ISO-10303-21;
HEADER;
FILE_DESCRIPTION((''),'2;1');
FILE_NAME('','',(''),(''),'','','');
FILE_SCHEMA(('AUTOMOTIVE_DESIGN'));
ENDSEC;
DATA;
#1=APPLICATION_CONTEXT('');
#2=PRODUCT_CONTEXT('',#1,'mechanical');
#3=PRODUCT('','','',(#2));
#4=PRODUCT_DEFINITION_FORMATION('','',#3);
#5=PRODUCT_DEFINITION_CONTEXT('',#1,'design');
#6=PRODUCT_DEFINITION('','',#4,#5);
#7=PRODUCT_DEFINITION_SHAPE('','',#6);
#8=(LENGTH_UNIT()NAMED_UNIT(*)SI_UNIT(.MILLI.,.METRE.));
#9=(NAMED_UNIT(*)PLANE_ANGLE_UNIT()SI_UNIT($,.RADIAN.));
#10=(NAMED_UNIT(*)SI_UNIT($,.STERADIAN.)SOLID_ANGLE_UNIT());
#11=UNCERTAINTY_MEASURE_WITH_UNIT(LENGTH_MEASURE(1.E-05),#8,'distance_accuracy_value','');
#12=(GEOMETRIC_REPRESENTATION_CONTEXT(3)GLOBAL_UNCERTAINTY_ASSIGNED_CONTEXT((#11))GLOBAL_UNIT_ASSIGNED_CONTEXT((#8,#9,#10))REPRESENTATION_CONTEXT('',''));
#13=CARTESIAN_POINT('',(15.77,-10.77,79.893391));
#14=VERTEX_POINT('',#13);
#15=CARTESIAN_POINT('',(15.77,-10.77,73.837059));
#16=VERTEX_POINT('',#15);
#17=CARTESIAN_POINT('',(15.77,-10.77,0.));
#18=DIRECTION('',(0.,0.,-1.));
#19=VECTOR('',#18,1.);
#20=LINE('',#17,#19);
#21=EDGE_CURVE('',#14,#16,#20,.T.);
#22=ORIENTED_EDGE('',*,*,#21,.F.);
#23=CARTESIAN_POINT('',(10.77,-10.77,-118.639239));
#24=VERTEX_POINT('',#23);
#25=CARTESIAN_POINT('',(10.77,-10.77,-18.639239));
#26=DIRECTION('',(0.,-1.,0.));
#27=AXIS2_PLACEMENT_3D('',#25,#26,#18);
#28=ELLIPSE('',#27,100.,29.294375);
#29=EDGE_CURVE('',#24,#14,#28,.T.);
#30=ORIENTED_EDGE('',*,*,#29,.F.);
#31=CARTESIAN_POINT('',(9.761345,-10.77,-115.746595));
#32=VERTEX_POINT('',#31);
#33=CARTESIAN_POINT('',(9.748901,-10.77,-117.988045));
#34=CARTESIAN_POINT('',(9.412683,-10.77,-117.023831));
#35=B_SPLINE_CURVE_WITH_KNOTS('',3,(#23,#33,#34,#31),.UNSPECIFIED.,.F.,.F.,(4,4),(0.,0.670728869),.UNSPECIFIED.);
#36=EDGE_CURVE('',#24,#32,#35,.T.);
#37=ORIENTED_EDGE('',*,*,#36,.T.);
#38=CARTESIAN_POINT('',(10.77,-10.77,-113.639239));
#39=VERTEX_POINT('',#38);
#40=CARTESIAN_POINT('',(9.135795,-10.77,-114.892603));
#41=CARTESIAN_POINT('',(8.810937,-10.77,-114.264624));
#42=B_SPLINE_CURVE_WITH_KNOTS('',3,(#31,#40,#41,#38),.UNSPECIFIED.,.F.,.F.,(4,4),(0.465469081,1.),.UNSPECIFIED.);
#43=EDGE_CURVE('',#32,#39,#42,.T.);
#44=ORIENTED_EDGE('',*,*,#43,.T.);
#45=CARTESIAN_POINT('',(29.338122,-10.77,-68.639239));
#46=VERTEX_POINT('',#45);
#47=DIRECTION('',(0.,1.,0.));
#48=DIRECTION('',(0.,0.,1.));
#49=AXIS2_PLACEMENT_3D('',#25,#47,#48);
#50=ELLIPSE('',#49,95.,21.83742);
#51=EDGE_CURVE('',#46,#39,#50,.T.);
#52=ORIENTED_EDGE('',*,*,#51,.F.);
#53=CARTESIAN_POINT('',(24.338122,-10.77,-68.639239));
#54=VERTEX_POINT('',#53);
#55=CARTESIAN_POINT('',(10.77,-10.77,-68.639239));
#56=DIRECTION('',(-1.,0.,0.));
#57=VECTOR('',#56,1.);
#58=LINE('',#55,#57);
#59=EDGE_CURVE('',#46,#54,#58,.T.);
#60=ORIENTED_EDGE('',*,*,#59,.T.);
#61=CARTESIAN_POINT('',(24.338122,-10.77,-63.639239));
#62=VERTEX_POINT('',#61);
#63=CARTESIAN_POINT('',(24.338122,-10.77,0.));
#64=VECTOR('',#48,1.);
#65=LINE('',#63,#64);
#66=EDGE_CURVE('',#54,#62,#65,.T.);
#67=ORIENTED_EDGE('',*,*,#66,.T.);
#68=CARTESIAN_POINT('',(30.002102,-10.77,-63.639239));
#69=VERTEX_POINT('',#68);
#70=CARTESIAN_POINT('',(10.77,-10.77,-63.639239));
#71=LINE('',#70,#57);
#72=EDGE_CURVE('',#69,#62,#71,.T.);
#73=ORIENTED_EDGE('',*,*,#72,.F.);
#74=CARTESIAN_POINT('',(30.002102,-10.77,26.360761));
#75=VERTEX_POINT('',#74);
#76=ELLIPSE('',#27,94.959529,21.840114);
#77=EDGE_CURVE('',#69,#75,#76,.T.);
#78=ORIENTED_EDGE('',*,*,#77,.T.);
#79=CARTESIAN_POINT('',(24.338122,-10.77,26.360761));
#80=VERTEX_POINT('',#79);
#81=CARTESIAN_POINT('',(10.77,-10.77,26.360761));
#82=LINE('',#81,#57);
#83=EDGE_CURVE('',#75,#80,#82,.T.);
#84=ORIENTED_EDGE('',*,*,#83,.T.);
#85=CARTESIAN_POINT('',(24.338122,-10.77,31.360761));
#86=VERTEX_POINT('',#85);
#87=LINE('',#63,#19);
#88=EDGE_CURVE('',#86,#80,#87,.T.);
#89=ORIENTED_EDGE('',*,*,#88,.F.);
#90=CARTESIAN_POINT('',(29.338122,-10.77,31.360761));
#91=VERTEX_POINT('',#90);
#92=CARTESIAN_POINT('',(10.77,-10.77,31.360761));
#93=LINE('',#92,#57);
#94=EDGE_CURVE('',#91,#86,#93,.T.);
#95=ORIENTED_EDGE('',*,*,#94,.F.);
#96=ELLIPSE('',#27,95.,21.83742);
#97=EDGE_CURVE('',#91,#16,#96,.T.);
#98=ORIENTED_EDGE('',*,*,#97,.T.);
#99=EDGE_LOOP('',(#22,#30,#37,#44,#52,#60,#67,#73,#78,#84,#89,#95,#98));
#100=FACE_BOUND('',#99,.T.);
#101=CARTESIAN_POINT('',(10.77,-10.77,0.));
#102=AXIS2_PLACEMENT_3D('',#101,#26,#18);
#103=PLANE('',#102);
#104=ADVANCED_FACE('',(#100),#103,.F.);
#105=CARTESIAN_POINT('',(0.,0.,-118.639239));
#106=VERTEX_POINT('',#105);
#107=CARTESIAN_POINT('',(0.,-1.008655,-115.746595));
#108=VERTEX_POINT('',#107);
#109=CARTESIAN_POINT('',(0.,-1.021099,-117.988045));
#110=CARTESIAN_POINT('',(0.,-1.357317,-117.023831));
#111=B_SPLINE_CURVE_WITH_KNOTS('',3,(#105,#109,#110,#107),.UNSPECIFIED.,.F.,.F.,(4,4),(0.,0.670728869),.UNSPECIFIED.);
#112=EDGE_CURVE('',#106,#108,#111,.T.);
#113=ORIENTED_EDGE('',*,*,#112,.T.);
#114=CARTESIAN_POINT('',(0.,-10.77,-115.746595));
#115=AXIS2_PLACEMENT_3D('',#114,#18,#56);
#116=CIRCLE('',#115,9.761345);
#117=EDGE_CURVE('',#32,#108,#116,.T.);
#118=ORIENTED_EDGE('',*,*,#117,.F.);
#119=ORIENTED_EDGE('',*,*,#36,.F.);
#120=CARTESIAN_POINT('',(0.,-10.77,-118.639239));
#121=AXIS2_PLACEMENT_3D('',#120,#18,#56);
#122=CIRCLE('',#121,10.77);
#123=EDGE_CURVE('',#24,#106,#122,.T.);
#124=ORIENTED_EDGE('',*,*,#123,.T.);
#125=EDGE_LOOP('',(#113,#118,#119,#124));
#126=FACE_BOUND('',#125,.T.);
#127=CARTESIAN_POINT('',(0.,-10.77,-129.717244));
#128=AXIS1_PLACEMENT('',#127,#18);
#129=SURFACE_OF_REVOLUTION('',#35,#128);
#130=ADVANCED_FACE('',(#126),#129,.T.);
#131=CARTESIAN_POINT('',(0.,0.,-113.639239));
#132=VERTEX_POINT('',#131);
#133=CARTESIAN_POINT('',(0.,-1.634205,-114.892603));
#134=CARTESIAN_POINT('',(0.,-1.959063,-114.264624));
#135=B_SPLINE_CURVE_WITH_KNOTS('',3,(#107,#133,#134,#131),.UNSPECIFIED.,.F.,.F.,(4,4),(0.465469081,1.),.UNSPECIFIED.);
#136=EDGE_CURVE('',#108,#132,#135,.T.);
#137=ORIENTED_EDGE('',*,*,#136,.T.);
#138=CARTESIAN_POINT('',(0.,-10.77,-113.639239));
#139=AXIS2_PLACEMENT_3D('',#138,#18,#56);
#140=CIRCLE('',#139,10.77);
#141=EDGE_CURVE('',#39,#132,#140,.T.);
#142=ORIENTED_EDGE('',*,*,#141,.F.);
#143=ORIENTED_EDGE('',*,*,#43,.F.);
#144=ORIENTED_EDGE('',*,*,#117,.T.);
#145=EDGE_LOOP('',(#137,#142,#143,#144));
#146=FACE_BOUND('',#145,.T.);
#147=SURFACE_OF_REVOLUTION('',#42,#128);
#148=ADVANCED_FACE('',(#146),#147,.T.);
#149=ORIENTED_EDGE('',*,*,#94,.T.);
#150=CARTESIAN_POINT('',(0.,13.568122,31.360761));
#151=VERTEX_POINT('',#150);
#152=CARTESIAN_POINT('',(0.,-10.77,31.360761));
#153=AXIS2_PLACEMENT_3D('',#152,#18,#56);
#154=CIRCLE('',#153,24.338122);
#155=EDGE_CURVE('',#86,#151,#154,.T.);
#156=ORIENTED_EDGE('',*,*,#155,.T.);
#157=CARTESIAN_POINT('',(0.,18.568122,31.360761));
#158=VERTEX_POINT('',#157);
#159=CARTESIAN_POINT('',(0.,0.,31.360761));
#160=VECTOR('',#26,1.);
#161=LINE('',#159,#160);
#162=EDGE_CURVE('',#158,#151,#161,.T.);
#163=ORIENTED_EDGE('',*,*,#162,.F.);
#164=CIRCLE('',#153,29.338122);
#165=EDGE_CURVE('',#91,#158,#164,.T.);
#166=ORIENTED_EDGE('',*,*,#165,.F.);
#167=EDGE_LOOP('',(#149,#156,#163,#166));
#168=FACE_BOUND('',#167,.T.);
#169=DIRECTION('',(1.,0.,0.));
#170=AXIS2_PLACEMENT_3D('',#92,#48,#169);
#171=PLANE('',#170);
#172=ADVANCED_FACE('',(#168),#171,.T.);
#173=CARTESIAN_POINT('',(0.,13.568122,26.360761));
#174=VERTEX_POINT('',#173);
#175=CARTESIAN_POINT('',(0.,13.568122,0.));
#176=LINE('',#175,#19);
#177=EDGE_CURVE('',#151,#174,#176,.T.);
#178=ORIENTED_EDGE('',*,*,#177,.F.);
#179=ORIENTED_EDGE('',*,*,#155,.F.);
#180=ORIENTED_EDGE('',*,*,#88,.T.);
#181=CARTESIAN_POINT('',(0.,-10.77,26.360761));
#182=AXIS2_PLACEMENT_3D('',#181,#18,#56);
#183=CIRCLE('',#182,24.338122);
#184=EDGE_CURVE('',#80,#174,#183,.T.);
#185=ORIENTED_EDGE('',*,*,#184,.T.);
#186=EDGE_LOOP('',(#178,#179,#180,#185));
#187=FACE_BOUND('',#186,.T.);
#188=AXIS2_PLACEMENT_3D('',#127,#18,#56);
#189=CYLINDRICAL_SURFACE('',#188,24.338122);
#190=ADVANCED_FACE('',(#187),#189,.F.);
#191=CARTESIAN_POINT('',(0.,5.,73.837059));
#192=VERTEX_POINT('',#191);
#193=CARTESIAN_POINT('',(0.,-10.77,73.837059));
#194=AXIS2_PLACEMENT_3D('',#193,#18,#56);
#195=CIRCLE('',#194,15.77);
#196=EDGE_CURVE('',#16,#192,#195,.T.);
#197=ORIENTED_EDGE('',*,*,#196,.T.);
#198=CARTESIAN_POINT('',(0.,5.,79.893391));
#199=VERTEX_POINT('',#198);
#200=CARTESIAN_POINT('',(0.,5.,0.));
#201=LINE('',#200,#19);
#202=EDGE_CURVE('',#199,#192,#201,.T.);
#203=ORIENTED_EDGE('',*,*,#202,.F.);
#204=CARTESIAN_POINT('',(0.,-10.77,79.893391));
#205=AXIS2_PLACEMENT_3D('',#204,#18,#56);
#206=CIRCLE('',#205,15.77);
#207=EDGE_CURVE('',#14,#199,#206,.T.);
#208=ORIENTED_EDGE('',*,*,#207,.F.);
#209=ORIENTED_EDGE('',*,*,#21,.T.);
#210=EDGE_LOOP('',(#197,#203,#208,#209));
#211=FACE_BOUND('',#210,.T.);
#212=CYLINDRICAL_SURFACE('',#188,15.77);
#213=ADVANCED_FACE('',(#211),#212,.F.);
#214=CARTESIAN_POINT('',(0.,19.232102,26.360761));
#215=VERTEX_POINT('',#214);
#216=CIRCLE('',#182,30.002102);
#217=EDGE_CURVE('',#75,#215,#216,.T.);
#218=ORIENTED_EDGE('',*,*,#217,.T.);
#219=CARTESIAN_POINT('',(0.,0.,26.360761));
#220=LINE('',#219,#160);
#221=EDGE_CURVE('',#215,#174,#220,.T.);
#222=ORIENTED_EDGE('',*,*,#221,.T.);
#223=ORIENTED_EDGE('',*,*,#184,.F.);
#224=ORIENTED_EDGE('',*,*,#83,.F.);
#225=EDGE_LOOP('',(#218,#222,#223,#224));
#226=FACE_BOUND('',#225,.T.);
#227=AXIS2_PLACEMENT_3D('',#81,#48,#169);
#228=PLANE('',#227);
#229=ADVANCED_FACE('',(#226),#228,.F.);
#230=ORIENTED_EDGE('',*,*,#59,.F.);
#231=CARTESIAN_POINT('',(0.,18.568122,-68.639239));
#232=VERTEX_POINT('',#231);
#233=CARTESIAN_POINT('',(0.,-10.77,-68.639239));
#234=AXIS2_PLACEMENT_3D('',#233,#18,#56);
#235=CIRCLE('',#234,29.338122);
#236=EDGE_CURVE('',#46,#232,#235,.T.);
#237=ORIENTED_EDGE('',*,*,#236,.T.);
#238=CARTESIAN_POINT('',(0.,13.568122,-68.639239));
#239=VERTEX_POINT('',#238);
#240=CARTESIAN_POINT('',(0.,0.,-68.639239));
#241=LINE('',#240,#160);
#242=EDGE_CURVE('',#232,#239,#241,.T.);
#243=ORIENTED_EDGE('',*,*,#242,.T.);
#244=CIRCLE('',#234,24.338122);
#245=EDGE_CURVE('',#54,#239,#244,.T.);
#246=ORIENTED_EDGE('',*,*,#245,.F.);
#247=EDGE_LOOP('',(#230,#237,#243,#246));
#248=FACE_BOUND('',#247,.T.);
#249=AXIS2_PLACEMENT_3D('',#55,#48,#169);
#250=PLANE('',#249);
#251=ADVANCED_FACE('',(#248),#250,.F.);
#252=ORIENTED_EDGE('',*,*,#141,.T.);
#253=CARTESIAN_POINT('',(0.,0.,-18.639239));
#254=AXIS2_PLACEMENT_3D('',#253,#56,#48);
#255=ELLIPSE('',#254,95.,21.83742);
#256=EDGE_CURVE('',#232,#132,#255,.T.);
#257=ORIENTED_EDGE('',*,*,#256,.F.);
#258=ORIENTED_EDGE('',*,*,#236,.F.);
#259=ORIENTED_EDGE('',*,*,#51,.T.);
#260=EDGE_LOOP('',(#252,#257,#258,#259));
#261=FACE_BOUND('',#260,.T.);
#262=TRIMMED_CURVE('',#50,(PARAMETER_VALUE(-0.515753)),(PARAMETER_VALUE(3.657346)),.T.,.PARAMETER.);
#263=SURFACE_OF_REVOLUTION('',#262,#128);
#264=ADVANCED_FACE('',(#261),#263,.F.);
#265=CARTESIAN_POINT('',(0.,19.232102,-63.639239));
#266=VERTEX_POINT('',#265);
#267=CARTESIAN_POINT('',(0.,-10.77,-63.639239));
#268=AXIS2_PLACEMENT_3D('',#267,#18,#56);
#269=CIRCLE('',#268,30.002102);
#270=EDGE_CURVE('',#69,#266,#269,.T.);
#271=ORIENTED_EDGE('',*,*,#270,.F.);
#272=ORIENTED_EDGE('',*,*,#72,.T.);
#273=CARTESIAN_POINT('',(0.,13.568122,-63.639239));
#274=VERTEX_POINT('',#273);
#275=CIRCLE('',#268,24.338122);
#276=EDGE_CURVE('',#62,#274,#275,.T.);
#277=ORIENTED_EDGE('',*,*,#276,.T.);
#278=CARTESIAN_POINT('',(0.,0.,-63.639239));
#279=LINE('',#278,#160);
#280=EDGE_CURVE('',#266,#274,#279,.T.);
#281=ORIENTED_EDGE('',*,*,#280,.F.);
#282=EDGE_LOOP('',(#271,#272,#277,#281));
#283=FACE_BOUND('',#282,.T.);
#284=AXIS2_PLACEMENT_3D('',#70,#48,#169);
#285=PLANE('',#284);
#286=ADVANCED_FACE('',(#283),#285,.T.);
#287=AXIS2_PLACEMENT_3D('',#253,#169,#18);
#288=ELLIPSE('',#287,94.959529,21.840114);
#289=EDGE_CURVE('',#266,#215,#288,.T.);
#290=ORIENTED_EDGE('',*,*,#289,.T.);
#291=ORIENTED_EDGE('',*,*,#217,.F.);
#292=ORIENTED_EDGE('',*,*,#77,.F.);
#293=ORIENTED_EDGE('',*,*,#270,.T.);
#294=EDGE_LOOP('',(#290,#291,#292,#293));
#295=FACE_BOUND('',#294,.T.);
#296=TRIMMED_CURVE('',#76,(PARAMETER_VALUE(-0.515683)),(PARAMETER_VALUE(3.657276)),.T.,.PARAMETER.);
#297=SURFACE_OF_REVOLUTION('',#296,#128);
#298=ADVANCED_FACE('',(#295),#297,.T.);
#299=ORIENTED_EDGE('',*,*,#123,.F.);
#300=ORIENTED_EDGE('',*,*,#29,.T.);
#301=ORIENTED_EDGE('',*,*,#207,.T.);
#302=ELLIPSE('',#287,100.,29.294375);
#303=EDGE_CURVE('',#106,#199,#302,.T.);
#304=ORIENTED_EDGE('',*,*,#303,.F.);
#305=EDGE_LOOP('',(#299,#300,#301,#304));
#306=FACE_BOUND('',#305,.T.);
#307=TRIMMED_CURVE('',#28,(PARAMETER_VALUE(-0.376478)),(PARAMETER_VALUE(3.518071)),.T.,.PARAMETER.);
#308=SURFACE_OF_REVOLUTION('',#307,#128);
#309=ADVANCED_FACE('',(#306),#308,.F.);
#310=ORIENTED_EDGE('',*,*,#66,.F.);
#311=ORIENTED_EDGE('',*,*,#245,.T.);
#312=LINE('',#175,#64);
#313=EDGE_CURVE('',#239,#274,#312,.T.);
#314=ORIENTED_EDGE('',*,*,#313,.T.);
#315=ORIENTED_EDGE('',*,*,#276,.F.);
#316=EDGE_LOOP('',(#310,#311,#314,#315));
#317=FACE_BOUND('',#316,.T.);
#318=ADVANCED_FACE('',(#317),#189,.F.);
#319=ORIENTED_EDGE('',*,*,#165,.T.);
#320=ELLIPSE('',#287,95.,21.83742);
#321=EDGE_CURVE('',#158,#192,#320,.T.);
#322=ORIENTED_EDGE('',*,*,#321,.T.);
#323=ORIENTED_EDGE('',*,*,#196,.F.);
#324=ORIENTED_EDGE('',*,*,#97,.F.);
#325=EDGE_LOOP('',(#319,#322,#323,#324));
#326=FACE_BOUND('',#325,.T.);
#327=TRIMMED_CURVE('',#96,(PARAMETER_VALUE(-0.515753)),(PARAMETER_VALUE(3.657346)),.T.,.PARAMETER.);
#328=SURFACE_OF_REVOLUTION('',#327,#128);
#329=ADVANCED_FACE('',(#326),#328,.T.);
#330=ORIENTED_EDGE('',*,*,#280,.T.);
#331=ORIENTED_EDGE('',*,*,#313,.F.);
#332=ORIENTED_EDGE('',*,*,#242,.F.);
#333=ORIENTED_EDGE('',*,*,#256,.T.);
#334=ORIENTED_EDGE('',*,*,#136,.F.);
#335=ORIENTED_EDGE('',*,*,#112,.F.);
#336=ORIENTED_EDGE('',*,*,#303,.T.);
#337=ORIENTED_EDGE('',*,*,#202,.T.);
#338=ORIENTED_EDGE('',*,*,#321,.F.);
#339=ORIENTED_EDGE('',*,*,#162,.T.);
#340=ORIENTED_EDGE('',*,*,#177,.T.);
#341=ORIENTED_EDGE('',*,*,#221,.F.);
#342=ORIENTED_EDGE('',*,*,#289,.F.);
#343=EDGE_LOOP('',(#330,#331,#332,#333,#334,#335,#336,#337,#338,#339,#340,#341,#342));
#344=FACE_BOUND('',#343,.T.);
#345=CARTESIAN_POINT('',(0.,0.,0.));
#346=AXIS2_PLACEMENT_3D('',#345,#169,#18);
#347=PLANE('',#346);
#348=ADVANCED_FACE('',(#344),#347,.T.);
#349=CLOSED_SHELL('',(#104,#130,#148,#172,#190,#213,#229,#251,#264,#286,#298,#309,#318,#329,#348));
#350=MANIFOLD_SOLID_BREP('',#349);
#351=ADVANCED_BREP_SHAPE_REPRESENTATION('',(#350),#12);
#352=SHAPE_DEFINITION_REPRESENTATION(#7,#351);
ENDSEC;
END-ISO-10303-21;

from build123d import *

# Parameters (mm, degrees)
REVOLVE3_ANGLE = 270


with BuildPart() as part:
    # Sketch1 → Revolve3 (revolve)
    with BuildSketch(Plane(origin=(0, 0, 0), x_dir=(0, 0, -1), z_dir=(1, 0, 0))):
        with BuildLine():
            add(Edge.make_bspline(
                [(115.7465953, -1.008655183), (114.892603244, -1.634204905), (114.264623631, -1.959063002), (113.639238781, 0)],
                knots=[0.465469081, 0.465469081, 0.465469081, 0.465469081, 1, 1, 1, 1], degree=3))
            add(Edge.make_bspline(
                [(113.639238781, 0), (113.639238781, 12.165321536), (68.639238781, 18.568122345)],
                knots=[3.141592654, 3.141592654, 3.141592654, 4.158127146, 4.158127146, 4.158127146], degree=2, weights=[1, 0.873589088, 1]))
            Line((68.639238781, 18.568122345), (68.639238781, 13.568122345))
            Line((68.639238781, 13.568122345), (63.639238781, 13.568122345))
            Line((63.639238781, 13.568122345), (63.639238781, 19.232101882))
            add(Edge.make_bspline(
                [(63.639238781, 19.232101882), (18.639238781, 24.801791276), (-26.360761219, 19.232101882)],
                knots=[1.077097687, 1.077097687, 1.077097687, 2.064494967, 2.064494967, 2.064494967], degree=2, weights=[1, 0.880586152, 1]))
            Line((-26.360761219, 19.232101882), (-26.360761219, 13.568122345))
            Line((-26.360761219, 13.568122345), (-31.360761219, 13.568122345))
            Line((-31.360761219, 13.568122345), (-31.360761219, 18.568122345))
            add(Edge.make_bspline(
                [(-31.360761219, 18.568122345), (-64.825670935, 13.806585656), (-73.837058596, 5)],
                knots=[2.125058161, 2.125058161, 2.125058161, 2.910578584, 2.910578584, 2.910578584], degree=2, weights=[1, 0.923856138, 1]))
            Line((-73.837058596, 5), (-79.893391232, 5))
            add(Edge.make_bspline(
                [(118.639238781, 0), (118.639238781, 26.883956752), (27.204780174, 29.186713196), (-64.229678433, 31.489469639), (-79.893391232, 5)],
                knots=[0, 0, 0, 1.485035825, 1.485035825, 2.970071651, 2.970071651, 2.970071651], degree=2, weights=[1, 0.736768422, 1, 0.736768422, 1]))
            add(Edge.make_bspline(
                [(118.639238781, 0), (117.988045153, -1.021098807), (117.023830916, -1.357317272), (115.7465953, -1.008655183)],
                knots=[0, 0, 0, 0, 0.670728869, 0.670728869, 0.670728869, 0.670728869], degree=3))
        make_face()
    revolve(axis=Axis((0, -10.77, -129.717244309), (0, 0, 1)), revolution_arc=REVOLVE3_ANGLE)


solid = part.part
